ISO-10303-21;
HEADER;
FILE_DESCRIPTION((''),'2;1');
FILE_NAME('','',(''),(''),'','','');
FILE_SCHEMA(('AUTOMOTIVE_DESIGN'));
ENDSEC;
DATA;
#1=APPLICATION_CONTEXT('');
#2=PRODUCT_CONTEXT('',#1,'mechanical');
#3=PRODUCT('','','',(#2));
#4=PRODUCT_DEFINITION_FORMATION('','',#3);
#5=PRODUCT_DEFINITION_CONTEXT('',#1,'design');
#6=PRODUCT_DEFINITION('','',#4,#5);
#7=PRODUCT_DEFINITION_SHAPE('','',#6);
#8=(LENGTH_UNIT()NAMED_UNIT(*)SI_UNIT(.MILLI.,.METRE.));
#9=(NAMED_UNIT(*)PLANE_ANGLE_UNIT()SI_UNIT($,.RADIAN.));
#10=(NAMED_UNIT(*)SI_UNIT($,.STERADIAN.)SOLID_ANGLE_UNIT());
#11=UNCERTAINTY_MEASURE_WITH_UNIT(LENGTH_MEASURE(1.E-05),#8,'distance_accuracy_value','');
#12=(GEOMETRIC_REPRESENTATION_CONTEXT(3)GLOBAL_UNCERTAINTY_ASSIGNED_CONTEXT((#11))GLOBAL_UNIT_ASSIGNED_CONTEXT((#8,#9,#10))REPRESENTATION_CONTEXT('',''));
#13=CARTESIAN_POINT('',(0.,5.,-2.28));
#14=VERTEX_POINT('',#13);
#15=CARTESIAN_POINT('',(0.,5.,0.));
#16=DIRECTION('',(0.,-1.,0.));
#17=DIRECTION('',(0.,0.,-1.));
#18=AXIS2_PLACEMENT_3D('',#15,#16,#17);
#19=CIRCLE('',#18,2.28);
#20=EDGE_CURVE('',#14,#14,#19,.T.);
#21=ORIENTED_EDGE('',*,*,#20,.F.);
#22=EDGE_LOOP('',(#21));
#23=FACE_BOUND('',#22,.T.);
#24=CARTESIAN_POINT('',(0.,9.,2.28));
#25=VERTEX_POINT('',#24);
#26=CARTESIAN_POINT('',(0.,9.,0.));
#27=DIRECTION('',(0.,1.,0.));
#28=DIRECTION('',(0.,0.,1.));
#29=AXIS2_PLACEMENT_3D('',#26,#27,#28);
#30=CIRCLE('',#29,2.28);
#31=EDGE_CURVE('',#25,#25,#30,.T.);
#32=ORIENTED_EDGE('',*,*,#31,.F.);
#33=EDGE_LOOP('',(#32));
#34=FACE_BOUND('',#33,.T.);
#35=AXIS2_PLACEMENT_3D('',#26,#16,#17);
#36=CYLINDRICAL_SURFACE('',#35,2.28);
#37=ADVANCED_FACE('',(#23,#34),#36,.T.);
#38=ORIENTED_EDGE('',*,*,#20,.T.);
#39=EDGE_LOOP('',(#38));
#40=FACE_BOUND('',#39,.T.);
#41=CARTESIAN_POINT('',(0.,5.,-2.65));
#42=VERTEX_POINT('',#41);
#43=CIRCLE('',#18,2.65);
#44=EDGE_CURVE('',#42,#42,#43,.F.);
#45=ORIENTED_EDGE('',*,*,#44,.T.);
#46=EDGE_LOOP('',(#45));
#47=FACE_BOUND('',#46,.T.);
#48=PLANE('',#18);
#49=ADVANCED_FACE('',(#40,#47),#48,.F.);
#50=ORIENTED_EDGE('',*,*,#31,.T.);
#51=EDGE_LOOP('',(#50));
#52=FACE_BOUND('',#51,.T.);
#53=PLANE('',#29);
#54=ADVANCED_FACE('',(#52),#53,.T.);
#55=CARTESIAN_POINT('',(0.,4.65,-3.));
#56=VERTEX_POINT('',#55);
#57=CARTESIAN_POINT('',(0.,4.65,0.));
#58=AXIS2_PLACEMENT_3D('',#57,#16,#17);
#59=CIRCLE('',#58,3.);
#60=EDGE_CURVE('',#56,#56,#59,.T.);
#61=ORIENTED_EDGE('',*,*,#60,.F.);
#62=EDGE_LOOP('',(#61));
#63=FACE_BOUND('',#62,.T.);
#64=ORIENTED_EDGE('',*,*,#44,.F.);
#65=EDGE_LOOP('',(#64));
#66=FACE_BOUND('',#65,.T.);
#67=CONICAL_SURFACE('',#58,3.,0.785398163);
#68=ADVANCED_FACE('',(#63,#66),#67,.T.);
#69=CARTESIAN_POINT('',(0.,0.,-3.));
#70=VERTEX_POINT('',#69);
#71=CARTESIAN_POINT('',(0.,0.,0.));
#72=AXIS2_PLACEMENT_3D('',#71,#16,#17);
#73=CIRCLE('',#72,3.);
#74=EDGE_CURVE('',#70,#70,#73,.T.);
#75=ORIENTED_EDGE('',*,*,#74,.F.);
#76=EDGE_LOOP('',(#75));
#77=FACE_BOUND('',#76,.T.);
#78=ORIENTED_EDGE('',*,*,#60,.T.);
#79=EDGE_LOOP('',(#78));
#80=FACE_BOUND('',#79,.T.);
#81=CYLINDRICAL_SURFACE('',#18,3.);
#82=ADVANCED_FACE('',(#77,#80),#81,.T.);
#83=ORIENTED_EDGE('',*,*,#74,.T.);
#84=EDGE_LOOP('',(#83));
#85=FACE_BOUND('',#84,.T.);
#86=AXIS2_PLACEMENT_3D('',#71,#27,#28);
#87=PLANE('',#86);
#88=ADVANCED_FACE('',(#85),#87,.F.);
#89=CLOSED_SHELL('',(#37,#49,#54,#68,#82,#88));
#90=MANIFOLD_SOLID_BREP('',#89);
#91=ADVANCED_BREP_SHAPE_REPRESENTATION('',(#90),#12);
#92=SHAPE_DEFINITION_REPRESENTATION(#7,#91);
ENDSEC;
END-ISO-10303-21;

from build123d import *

# Parameters (mm, degrees)
SKETCH1_R           = 2.28
BOSS_EXTRUDE1_DEPTH = 9
SKETCH2_R           = 3
BOSS_EXTRUDE2_DEPTH = 5
CHAMFER1_SIZE       = 0.35


with BuildPart() as part:
    # Sketch1 → Boss-Extrude1 (new body)
    with BuildSketch(Plane(origin=(0, 0, 0), x_dir=(1, 0, 0), z_dir=(0, 1, 0))):
        with Locations(Location((0, 0, 0), (0, 0, 270))):
            Circle(SKETCH1_R)
    extrude(amount=BOSS_EXTRUDE1_DEPTH)

    # Sketch2 → Boss-Extrude2 (add)
    with BuildSketch(Plane(origin=(0, 0, 0), x_dir=(-1, 0, 0), z_dir=(0, -1, 0))):
        with Locations(Location((0, 0, 0), (0, 0, 90))):
            Circle(SKETCH2_R)
    extrude(amount=-BOSS_EXTRUDE2_DEPTH)

    # Chamfer1
    chamfer1_edges = [part.edges().sort_by_distance(p)[0] for p in [
        (0, 5, 3),
    ]]
    chamfer(chamfer1_edges, length=CHAMFER1_SIZE)


solid = part.part
